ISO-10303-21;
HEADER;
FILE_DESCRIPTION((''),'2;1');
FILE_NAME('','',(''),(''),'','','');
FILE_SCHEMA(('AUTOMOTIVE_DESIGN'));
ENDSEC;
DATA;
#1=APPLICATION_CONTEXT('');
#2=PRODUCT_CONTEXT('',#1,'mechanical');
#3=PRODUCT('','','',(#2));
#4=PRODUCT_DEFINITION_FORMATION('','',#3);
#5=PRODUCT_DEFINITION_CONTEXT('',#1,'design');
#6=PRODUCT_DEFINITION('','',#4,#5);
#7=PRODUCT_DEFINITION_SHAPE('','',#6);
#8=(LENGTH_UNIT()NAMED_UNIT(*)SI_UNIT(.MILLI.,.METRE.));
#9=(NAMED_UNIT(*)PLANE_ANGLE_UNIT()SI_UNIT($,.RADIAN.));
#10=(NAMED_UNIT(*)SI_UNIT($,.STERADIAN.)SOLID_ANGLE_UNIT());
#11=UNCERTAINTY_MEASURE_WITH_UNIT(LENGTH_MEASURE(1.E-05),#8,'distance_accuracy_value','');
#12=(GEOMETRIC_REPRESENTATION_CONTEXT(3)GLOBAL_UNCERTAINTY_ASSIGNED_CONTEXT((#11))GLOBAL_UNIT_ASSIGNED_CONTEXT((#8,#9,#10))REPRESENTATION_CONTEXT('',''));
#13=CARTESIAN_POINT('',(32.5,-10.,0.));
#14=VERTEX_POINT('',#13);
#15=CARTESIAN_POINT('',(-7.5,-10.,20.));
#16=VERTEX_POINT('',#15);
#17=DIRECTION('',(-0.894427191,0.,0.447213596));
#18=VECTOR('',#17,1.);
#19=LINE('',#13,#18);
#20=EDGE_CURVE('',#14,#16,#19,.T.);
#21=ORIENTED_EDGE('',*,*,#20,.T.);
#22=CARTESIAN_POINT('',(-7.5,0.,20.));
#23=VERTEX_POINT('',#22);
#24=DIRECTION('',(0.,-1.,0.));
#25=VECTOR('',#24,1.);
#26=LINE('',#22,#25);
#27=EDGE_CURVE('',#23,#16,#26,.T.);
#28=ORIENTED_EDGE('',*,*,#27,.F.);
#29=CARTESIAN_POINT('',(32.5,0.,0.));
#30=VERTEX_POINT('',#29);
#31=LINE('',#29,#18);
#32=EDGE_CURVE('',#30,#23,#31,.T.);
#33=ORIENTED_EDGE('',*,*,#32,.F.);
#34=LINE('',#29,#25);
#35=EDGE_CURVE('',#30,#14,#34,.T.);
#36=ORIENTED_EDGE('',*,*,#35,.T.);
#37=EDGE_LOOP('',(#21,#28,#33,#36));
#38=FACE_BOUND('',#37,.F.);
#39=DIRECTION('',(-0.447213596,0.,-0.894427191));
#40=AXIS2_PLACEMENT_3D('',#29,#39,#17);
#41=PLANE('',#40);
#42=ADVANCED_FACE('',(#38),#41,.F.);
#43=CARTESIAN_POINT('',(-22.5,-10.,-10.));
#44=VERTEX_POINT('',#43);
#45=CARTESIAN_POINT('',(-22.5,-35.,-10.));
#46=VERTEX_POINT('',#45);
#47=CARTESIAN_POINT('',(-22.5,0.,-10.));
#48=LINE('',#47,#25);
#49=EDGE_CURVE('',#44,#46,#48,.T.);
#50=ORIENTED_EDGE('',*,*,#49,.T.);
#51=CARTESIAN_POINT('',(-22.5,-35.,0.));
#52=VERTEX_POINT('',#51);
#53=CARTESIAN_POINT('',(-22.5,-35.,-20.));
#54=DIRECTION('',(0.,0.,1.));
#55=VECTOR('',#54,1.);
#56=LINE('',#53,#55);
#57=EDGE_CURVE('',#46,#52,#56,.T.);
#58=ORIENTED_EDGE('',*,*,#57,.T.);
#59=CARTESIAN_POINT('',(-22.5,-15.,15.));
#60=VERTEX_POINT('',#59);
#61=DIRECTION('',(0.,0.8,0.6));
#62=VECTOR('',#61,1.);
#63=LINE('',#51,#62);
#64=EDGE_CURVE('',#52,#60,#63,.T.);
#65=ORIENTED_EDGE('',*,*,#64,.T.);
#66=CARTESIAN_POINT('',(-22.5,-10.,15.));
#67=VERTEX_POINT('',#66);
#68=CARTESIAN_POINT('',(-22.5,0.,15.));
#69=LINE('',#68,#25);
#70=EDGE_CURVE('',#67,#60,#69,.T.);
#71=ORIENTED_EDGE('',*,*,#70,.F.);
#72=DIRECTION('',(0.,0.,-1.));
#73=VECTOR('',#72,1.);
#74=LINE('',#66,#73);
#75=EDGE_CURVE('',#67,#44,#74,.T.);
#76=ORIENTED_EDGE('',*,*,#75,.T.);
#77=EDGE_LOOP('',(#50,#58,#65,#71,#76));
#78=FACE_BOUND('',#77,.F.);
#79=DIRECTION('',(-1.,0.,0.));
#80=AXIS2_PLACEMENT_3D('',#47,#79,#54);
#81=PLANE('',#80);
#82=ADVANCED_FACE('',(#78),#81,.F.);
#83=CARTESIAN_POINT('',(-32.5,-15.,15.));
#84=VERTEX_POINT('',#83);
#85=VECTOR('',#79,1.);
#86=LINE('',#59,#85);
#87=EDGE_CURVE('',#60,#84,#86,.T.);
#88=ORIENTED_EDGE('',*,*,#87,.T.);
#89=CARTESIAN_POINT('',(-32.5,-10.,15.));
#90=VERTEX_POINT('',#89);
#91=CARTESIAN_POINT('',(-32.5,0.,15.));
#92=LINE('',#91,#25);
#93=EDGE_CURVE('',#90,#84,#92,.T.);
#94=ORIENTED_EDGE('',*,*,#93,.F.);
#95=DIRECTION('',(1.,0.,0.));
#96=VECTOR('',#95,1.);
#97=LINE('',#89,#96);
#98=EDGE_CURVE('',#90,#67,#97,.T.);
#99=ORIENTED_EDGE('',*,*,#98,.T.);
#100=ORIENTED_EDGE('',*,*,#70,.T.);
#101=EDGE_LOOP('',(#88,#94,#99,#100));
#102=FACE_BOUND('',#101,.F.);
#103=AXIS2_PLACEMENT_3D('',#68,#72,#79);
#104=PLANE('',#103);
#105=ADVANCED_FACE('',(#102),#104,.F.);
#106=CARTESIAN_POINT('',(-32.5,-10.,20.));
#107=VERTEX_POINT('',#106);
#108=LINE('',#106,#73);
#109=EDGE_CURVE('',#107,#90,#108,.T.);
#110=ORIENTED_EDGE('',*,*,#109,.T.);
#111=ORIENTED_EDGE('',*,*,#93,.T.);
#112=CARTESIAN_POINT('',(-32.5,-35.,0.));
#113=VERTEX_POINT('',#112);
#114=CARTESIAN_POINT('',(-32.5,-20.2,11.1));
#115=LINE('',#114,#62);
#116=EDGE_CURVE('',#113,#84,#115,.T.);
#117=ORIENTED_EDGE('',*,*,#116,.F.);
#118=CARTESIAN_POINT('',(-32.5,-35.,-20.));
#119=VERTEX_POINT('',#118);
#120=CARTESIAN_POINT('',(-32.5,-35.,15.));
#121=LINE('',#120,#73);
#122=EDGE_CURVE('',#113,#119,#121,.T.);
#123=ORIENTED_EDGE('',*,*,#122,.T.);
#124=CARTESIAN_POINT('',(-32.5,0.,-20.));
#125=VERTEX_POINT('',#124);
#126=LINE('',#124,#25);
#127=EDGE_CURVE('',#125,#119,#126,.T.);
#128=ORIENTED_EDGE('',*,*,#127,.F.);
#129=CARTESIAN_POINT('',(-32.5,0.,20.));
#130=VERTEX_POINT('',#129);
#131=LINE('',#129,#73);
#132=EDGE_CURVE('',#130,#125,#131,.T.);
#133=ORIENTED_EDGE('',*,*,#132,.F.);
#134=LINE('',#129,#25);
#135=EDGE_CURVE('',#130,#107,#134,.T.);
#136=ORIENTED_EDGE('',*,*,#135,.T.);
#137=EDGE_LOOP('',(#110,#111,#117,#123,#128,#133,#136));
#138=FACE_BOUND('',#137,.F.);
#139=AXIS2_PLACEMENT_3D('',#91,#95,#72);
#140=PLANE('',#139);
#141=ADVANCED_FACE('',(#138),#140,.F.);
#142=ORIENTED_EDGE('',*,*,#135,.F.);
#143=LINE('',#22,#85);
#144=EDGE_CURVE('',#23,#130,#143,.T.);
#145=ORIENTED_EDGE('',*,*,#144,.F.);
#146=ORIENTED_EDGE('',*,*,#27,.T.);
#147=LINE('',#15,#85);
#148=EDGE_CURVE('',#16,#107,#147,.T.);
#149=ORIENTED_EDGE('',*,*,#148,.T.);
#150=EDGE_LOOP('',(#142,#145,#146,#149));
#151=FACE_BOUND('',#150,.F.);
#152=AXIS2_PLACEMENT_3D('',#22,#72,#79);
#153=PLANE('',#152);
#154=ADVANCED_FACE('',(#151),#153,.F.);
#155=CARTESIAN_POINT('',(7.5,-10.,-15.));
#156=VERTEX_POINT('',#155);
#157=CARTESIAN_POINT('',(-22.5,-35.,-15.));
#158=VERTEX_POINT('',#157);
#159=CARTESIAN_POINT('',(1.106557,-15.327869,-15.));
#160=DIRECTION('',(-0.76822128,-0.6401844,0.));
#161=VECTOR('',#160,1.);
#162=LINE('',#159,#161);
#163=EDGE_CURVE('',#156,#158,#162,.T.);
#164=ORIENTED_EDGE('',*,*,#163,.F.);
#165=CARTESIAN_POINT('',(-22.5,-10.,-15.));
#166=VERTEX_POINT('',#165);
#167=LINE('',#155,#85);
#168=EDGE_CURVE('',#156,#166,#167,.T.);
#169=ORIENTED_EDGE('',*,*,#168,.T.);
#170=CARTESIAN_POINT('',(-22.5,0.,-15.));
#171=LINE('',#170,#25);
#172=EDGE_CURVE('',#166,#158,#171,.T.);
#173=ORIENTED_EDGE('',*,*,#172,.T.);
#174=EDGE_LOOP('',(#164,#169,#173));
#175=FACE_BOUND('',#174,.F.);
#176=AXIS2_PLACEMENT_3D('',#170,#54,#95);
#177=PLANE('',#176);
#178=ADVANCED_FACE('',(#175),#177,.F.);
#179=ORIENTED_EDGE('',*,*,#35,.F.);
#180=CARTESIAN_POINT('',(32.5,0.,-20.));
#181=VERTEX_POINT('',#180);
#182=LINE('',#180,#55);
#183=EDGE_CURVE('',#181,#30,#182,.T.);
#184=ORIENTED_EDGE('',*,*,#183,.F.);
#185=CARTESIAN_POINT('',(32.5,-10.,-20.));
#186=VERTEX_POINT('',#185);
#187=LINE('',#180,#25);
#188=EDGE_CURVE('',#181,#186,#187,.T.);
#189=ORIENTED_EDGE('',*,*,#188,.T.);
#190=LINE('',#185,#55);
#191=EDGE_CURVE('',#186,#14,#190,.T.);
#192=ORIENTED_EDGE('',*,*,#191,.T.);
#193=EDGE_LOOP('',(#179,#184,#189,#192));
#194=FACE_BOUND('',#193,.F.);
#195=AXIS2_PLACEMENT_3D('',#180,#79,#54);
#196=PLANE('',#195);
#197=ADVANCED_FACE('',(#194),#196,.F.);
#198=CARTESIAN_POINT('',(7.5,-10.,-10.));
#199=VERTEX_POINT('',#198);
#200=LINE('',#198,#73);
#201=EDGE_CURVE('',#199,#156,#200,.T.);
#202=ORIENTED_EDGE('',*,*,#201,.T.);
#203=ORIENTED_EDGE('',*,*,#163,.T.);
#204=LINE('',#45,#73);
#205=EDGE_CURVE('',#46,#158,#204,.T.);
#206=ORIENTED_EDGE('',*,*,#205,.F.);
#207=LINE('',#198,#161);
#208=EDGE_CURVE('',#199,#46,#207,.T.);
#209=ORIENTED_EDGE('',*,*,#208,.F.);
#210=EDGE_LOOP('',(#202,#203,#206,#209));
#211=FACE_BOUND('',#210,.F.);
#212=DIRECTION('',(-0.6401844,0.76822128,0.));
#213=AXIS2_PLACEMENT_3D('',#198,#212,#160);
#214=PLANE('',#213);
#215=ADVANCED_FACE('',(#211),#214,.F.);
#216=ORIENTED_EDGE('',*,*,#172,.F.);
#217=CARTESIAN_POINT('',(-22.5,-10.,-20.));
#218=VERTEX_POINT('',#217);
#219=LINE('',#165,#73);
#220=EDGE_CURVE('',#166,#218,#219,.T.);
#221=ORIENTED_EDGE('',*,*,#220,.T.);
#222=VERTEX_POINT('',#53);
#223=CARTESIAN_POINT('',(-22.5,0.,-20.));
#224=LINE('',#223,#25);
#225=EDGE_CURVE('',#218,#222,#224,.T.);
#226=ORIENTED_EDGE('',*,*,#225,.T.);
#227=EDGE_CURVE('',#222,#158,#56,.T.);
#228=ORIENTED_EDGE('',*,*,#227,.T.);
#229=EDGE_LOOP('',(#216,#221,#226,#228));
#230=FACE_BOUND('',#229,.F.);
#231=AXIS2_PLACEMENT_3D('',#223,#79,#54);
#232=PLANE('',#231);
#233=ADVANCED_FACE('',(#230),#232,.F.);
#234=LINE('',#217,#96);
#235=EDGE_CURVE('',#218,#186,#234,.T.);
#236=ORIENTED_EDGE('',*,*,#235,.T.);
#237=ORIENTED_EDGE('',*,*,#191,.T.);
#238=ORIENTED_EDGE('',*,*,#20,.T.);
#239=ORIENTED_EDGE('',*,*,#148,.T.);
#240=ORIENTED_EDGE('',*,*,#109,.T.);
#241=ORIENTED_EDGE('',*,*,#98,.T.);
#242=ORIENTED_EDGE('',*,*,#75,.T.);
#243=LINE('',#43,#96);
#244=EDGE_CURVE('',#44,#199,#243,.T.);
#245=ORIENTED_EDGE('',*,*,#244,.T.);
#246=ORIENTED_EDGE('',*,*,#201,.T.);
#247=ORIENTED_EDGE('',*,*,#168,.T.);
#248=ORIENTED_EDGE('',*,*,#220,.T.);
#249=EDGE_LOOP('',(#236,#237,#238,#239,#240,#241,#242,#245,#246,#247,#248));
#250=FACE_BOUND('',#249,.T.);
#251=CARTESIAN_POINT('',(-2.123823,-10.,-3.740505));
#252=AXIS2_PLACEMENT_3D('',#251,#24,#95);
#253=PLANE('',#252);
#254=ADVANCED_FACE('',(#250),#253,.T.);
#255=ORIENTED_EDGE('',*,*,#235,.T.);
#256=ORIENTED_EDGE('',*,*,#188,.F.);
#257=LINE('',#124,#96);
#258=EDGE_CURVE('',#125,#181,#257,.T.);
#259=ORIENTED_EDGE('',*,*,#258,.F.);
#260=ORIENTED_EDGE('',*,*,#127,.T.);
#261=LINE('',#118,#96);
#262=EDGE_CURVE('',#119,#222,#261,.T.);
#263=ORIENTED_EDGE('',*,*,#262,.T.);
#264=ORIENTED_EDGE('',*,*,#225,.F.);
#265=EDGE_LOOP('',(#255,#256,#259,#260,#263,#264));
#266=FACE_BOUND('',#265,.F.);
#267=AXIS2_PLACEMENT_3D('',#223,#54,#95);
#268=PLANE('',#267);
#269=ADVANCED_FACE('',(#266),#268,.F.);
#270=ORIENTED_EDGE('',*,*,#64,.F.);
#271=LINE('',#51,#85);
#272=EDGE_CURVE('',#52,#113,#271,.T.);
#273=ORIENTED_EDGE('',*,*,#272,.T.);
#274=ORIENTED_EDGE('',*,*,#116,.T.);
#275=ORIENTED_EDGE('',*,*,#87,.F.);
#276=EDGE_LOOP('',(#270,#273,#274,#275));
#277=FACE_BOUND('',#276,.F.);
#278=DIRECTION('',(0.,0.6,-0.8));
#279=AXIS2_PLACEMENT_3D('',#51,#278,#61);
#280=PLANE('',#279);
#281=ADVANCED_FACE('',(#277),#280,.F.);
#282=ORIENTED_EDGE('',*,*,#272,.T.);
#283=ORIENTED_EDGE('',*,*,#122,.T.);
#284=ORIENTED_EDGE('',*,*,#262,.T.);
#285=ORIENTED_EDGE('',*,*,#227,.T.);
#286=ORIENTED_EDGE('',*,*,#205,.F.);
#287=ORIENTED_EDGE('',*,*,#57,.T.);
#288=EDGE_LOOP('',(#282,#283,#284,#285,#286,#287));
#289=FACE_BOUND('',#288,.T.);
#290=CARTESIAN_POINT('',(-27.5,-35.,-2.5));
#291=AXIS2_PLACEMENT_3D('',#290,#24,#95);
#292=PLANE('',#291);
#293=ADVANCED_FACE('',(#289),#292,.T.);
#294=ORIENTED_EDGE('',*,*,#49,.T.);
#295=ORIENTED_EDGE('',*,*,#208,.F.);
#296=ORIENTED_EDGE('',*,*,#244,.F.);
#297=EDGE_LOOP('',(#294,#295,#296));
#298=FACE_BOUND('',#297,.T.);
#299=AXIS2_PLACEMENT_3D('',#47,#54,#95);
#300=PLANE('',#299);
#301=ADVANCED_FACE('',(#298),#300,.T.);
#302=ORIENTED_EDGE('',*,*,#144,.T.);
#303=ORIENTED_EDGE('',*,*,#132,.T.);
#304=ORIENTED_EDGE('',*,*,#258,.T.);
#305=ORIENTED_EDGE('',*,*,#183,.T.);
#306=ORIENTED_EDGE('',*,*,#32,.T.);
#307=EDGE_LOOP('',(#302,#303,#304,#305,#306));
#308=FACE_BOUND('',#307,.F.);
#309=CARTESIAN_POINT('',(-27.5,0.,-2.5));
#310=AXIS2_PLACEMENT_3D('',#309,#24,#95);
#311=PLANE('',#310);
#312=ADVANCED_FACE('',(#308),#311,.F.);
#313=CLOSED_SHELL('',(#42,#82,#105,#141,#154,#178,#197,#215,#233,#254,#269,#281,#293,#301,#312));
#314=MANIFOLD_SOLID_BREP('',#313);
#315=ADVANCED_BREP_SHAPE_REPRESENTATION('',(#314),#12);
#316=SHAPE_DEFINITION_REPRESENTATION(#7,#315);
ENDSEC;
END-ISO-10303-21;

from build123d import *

# Parameters (mm, degrees)
F1_DEPTH = 10
F0_W     = 30
F0_H     = 5
F2_DEPTH = 35
F4_DEPTH = 10.001
F6_DEPTH = 10.001


with BuildPart() as f1:
    # F0 (on Front) → F1 (new body)
    with BuildSketch(Plane.XZ):
        Polygon((32.5, 0), (-7.5, 20), (-22.5, 20), (-32.5, 20), (-32.5, 15), (-22.5, 15), (-22.5, -10), (7.5, -10), (7.5, -15), (-22.5, -15), (-22.5, -20), (32.5, -20), align=None)
    extrude(amount=F1_DEPTH)

    # F0 (on Front) → F2 (join)
    with BuildSketch(Plane.XZ):
        Polygon((-22.5, 15), (-32.5, 15), (-32.5, 10), (-32.5, -20), (-22.5, -20), (-22.5, -15), (-22.5, -10), align=None)
        with Locations((-7.5, -12.5)):
            Rectangle(F0_W, F0_H)
    extrude(amount=F2_DEPTH)

    # F3 (on face) → F4 (cut, through all)
    with BuildSketch(Plane.XY.offset(-10)):
        Polygon((7.5, -10), (-22.5, -35), (7.5, -35), align=None)
    extrude(amount=-F4_DEPTH, mode=Mode.SUBTRACT)

    # F5 (on face) → F6 (cut, through all)
    with BuildSketch(Plane.YZ.offset(-22.5)):
        Polygon((-35, 15), (-35, 0), (-15, 15), align=None)
    extrude(amount=-F6_DEPTH, mode=Mode.SUBTRACT)


solid = f1.part
